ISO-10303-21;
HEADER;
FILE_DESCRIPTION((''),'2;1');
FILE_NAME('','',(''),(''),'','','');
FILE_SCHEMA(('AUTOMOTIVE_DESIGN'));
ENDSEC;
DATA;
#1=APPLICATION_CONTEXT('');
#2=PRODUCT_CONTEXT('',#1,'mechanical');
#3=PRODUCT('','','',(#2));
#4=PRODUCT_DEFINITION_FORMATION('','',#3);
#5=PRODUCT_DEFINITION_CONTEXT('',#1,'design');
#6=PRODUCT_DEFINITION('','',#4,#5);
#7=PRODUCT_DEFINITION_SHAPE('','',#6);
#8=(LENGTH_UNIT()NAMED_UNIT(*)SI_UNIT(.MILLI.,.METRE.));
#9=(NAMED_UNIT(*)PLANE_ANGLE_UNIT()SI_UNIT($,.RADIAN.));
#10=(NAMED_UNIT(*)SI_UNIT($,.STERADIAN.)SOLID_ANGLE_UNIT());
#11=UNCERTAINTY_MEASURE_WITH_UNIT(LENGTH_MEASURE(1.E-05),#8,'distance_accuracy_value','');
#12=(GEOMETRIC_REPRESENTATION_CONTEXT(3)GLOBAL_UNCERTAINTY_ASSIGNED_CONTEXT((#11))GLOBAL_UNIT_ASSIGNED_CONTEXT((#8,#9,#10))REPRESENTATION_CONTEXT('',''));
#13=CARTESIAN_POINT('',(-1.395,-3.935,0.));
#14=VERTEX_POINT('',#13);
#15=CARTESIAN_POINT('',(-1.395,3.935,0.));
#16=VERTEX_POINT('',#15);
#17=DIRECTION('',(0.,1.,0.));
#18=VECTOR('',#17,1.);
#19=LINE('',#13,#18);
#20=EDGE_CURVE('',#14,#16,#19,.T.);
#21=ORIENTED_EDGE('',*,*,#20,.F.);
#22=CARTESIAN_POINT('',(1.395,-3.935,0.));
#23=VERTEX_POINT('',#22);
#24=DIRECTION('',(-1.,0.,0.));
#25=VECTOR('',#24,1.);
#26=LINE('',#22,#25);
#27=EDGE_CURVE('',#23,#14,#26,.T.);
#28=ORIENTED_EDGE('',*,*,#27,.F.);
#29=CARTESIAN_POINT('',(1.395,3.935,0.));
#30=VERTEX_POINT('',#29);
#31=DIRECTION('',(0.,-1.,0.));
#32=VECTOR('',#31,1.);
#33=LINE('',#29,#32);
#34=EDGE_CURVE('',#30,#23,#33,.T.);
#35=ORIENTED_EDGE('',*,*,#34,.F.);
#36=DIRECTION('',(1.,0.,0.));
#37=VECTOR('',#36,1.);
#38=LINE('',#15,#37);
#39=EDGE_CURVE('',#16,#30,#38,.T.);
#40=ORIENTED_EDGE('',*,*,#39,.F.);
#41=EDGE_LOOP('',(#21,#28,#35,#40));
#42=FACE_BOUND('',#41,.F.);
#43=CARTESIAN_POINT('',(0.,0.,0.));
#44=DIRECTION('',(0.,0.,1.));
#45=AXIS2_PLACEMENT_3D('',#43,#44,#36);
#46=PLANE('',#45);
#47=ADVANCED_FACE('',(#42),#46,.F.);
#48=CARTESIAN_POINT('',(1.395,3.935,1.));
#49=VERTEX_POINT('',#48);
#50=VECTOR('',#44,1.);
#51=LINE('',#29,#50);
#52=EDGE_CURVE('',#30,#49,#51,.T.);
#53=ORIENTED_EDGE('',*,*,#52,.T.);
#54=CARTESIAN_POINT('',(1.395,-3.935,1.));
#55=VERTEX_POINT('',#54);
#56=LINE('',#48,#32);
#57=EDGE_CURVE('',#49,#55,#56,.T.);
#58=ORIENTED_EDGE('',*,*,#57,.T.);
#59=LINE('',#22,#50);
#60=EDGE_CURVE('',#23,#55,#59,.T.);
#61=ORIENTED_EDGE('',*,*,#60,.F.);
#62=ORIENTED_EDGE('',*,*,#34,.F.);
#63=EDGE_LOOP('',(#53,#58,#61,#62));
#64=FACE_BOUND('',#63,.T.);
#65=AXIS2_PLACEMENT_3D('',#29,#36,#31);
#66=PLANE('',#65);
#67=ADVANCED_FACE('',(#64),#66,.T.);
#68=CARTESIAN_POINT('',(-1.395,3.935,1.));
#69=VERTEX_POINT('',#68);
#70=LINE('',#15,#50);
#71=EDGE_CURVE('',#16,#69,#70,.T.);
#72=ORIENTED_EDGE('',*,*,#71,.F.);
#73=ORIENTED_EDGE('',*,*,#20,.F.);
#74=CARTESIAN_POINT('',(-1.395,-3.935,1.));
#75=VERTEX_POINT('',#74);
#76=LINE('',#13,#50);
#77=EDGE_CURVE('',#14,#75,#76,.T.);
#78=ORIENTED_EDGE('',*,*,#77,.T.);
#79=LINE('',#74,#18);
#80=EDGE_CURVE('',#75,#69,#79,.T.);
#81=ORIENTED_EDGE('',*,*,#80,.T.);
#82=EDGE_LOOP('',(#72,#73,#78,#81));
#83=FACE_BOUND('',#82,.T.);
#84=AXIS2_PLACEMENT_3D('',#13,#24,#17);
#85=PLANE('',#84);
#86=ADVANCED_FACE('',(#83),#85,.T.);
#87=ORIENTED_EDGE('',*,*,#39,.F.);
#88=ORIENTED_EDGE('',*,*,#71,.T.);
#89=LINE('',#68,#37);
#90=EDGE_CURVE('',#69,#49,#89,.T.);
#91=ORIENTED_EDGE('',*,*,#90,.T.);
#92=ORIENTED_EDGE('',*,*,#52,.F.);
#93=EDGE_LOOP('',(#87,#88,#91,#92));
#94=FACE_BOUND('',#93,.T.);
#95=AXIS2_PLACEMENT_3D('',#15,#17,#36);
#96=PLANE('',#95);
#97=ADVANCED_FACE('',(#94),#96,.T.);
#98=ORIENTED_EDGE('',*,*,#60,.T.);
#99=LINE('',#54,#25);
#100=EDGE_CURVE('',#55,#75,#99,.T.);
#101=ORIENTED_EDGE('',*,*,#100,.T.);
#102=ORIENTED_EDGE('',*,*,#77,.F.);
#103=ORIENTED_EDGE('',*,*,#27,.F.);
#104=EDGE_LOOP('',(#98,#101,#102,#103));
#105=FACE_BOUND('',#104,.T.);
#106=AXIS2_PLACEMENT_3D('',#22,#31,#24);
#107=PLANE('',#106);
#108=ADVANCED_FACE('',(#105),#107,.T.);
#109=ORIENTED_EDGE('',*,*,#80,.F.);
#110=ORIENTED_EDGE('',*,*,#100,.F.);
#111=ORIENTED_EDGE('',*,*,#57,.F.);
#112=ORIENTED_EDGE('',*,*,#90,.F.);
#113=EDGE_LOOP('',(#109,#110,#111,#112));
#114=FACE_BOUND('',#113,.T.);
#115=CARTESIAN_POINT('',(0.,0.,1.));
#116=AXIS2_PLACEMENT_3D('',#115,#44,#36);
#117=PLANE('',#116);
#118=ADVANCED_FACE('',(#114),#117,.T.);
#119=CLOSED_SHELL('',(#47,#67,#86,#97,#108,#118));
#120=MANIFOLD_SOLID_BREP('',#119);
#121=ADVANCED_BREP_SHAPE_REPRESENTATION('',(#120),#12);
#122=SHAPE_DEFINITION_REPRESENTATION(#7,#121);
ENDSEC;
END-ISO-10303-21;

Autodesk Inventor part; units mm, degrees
ref_plane "YZ Plane" through (0, 0, 0) normal (1, 0, 0) x (0, 1, 0)
ref_plane "XZ Plane" through (0, 0, 0) normal (0, 1, 0) x (-1, 0, 0)
ref_plane "XY Plane" through (0, 0, 0) normal (0, 0, 1) x (1, 0, 0)
sketch "JUMPER3, JUMPER3_130" plane through (0, 0, 0) normal (0, 0, 1) x (1, 0, 0)
  line L0 (-1.395, -3.935) -> (-1.395, 3.935)
  line L1 (-1.395, 3.935) -> (1.395, 3.935)
  line L2 (1.395, 3.935) -> (1.395, -3.935)
  line L3 (1.395, -3.935) -> (-1.395, -3.935)
extrude "Extrusion1" add sketch "JUMPER3, JUMPER3_130" along normal blind 1
properties part number "JUMPER3"
